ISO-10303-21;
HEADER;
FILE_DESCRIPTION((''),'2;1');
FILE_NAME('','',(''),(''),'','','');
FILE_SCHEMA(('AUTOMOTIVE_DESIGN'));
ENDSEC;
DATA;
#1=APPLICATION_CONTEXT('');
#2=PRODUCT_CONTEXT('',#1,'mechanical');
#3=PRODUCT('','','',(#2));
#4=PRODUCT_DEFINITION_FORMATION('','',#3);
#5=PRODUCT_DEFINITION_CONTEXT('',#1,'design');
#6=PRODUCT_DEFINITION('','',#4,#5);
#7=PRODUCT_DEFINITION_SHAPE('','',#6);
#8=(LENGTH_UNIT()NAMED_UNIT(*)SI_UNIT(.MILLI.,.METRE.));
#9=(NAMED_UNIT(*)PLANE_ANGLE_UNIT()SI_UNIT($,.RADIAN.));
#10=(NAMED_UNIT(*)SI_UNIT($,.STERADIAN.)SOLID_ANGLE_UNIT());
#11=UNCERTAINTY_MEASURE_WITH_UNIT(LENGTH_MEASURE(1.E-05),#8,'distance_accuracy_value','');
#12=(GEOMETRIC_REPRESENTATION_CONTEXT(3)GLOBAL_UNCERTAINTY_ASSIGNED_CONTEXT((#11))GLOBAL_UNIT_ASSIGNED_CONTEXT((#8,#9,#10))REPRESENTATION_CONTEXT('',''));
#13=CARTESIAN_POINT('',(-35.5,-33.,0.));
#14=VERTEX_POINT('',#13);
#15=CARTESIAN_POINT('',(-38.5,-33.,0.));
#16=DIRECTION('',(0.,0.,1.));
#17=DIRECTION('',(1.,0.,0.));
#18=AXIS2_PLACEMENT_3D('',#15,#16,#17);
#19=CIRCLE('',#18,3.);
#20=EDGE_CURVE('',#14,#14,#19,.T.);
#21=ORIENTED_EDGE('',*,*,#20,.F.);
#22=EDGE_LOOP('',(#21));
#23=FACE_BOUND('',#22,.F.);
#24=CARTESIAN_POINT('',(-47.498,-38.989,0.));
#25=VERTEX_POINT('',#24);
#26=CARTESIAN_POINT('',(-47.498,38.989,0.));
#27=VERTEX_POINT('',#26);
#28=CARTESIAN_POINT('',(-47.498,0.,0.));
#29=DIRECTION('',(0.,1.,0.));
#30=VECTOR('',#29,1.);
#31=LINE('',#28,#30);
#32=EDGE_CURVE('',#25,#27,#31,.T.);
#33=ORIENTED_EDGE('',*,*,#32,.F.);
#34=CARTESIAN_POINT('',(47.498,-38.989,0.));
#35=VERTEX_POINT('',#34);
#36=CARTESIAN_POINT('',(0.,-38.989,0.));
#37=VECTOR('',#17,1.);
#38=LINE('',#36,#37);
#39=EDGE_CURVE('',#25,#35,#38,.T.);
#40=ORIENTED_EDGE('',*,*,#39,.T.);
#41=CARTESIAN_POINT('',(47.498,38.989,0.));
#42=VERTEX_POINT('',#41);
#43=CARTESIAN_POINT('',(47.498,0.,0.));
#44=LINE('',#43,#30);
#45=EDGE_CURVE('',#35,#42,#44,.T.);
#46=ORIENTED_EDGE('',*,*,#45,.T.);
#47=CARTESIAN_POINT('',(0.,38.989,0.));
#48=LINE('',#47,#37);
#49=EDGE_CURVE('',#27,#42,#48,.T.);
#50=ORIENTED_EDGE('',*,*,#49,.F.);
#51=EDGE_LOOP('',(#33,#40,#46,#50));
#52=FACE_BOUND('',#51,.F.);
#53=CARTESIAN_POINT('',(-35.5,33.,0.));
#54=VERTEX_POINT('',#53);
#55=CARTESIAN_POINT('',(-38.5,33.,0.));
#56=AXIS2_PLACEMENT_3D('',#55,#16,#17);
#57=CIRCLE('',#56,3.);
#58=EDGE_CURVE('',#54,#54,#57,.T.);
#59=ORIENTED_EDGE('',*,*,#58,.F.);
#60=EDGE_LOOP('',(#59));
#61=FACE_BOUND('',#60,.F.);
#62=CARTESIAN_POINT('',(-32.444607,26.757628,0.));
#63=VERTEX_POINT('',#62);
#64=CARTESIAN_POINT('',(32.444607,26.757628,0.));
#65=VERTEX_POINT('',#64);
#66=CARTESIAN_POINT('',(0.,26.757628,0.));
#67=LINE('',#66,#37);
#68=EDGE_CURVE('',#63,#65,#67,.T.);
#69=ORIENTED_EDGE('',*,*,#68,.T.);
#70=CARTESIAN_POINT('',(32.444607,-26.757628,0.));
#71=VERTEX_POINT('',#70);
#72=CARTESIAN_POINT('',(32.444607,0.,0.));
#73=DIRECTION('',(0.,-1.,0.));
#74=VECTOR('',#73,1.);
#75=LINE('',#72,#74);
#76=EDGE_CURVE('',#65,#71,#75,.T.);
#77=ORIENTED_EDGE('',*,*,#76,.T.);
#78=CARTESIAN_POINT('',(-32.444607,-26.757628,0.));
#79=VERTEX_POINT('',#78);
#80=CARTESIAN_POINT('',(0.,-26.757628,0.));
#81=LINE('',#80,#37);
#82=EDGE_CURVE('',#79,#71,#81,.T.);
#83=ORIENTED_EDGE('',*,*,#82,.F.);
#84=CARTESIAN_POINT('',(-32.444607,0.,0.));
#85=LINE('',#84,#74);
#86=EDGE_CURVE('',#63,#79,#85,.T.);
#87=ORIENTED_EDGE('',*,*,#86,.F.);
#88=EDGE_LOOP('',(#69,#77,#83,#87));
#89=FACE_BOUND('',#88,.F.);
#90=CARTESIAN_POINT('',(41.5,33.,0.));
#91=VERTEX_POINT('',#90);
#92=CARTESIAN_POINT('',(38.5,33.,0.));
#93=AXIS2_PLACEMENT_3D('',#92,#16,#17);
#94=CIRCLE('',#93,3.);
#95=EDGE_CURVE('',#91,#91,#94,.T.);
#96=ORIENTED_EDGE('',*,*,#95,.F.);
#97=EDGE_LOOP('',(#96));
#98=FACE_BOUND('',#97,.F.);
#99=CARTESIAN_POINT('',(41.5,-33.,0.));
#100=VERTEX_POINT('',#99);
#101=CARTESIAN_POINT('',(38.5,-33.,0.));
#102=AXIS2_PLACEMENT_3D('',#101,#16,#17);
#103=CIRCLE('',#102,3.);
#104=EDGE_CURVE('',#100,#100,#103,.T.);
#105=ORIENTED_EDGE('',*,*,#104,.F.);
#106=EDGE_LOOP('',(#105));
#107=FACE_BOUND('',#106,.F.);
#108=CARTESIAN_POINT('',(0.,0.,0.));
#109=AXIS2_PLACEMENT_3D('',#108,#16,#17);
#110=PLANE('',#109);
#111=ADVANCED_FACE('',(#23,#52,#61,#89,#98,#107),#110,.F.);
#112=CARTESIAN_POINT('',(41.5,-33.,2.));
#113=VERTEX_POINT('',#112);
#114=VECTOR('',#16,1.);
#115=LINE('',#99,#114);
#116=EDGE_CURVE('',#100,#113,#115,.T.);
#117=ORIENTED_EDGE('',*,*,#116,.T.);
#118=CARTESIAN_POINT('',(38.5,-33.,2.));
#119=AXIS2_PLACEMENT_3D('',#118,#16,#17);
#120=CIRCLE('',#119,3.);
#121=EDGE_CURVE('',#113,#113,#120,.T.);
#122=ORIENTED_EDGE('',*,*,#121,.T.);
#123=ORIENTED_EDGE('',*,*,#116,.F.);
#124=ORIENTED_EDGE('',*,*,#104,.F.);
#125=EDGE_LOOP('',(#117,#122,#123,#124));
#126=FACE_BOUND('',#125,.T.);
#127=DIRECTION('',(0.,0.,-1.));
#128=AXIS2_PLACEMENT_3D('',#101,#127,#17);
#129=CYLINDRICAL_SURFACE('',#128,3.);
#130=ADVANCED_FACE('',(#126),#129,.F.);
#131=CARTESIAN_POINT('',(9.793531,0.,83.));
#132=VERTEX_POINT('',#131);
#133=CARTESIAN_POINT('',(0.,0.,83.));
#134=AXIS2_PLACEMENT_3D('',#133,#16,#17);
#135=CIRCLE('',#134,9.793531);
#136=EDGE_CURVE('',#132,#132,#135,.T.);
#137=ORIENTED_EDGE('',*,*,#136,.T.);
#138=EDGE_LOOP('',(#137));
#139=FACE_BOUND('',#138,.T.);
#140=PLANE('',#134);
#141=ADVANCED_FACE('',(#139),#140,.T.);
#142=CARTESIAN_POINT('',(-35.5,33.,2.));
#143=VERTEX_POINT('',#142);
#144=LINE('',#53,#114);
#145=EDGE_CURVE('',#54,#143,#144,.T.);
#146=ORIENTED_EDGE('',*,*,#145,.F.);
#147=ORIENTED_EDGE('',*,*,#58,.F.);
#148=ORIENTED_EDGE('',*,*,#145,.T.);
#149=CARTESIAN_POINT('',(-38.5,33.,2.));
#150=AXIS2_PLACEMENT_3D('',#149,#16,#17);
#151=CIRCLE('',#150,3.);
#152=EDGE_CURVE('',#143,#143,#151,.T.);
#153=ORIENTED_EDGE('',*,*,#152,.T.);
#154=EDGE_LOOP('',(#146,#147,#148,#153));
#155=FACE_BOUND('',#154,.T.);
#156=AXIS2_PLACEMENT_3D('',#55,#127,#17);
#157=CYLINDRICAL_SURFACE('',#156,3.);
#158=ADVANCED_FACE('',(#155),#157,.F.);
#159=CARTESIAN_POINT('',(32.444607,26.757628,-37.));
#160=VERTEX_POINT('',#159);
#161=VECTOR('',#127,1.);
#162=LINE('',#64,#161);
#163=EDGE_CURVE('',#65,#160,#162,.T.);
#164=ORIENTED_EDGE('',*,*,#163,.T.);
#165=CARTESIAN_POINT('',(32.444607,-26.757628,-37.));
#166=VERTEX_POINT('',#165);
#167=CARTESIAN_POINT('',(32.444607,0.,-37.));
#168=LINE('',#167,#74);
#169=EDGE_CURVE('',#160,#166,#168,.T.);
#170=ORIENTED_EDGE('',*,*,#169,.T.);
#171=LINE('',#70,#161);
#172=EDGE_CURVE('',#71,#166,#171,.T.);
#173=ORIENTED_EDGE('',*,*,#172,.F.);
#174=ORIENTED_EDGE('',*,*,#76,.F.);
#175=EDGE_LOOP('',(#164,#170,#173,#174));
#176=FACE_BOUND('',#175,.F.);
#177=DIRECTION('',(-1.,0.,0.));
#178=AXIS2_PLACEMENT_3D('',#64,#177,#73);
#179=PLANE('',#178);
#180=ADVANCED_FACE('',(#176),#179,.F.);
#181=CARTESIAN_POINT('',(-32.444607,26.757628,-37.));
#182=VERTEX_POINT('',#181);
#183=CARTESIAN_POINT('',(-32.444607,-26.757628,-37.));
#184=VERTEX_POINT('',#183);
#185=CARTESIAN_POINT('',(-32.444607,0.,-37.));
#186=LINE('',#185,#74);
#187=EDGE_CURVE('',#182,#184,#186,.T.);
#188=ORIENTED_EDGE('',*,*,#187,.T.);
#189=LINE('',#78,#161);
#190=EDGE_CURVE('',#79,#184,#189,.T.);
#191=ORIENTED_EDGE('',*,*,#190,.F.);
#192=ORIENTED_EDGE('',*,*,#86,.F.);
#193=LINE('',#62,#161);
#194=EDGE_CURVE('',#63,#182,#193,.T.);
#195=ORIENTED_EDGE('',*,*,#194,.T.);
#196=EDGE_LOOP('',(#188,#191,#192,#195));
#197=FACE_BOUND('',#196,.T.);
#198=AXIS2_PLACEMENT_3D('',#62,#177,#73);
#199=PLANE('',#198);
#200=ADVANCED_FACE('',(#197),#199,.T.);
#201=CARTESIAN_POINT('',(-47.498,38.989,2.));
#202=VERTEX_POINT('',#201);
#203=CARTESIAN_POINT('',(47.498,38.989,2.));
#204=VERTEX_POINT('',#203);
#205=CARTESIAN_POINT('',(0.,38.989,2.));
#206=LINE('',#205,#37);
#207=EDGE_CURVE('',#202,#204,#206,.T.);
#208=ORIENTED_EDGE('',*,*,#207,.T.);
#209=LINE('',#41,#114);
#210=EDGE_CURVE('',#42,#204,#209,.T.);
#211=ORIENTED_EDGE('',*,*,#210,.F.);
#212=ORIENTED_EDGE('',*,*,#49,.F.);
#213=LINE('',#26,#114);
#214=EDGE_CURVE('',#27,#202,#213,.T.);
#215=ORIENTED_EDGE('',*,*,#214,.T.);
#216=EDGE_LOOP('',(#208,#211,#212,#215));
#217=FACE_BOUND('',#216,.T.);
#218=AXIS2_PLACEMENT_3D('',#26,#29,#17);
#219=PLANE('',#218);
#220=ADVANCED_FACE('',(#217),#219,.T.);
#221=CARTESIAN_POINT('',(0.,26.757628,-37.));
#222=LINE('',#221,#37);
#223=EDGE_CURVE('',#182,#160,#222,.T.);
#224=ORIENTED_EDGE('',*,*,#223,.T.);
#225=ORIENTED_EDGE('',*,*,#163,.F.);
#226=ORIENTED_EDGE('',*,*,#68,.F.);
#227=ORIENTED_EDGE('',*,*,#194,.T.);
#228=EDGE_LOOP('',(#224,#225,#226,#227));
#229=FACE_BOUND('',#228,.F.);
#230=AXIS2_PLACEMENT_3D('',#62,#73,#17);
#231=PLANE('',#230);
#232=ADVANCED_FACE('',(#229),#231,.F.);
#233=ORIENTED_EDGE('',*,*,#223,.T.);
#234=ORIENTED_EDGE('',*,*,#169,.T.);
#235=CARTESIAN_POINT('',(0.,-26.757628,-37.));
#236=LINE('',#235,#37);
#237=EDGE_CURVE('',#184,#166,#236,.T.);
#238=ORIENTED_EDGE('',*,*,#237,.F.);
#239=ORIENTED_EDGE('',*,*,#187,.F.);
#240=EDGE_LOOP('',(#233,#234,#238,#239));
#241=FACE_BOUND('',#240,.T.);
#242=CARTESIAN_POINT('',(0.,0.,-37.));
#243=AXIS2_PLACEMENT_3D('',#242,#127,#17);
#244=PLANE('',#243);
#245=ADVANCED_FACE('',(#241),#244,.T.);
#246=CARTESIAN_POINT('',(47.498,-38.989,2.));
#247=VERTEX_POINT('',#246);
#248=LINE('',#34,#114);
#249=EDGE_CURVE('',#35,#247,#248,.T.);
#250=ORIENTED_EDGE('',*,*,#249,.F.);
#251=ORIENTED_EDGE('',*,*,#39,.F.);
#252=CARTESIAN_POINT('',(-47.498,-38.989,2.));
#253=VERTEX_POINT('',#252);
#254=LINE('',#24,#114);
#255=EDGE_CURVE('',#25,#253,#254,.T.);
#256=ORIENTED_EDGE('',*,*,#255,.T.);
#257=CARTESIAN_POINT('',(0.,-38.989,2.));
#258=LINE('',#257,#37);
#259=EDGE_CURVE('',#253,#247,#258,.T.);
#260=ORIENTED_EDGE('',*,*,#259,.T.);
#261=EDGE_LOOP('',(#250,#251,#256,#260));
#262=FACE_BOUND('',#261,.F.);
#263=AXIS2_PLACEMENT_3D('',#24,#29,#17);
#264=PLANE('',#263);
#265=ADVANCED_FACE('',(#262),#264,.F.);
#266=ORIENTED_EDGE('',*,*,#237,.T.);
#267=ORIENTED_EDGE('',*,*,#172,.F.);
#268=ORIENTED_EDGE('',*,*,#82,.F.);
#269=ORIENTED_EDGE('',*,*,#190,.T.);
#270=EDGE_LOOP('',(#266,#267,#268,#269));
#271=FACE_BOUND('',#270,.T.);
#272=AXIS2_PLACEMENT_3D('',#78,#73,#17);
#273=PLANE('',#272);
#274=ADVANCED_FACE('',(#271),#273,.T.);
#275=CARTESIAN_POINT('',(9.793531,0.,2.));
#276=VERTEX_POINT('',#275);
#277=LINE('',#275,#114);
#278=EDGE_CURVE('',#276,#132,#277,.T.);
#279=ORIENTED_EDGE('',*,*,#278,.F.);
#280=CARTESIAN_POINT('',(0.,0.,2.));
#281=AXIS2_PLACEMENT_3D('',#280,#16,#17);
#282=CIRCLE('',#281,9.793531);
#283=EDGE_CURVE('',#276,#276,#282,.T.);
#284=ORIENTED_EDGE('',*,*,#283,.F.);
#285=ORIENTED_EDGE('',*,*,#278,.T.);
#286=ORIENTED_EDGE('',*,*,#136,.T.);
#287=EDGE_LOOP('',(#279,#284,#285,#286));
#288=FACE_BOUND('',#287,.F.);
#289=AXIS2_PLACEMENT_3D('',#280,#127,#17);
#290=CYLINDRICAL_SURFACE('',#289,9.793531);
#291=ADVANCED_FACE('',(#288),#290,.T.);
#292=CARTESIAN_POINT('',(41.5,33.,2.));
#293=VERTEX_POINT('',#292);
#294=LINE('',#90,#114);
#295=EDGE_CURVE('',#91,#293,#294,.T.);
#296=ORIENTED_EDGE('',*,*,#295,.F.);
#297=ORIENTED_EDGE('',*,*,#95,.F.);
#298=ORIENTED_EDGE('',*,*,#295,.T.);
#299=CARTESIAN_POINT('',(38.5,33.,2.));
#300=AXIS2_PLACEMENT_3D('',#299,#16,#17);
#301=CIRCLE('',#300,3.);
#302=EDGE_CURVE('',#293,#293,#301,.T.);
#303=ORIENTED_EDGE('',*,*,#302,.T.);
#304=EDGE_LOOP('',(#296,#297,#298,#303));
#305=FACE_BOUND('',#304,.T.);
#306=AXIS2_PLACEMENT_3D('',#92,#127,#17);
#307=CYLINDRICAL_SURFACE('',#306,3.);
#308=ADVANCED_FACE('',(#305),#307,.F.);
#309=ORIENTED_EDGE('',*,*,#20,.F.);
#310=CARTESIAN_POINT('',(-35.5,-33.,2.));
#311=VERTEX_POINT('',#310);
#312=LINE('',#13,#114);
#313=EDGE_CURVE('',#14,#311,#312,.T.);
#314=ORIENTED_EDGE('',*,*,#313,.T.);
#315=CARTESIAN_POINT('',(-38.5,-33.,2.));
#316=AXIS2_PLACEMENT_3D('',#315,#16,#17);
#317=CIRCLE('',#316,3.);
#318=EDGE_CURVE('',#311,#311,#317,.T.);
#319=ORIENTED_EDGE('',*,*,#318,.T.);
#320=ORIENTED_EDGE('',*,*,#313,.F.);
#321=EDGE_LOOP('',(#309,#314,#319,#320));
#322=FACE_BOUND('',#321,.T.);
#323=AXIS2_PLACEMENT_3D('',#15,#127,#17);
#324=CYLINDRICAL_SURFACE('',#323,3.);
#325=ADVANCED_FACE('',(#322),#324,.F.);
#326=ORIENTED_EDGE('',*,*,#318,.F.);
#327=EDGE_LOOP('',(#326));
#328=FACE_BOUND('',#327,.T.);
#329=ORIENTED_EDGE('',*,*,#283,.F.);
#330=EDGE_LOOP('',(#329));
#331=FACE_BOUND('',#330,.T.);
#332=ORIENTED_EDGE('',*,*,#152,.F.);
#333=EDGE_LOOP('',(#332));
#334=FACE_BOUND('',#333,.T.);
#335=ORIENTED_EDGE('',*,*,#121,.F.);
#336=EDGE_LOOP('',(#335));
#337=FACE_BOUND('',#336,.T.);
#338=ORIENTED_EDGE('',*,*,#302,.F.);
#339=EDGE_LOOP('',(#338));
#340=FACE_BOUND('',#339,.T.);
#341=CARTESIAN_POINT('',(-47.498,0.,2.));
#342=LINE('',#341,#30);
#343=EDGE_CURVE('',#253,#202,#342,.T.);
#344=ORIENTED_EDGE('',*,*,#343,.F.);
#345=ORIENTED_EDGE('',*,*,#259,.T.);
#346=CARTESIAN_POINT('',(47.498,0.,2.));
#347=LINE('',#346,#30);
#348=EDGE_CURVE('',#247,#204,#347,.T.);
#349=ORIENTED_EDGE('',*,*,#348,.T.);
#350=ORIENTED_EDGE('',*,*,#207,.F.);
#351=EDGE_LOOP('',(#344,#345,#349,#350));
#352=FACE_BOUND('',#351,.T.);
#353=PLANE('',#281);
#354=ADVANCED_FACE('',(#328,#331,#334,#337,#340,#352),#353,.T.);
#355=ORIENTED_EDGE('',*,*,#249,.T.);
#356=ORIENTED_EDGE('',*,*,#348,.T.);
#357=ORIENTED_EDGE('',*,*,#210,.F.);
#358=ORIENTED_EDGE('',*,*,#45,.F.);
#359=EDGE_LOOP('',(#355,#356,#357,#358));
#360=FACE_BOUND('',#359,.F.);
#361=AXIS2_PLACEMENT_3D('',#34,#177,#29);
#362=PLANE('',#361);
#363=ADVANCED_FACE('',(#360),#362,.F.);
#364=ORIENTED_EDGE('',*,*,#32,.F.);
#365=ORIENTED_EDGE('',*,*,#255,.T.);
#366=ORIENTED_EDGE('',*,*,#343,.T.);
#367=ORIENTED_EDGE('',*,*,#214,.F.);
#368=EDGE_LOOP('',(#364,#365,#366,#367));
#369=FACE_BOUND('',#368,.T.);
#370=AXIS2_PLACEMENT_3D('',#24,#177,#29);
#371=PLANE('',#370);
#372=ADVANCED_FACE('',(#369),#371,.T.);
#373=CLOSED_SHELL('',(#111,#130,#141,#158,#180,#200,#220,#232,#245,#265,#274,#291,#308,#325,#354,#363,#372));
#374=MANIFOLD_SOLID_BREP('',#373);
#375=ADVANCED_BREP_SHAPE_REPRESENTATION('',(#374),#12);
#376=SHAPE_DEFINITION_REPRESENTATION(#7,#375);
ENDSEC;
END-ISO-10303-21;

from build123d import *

# Parameters (mm, degrees)
F0_W     = 94.996
F0_H     = 77.978
F0_R     = 3
F1_DEPTH = 2
F2_W     = 64.889214
F2_H     = 53.515256
F3_DEPTH = 37
F4_R     = 9.793531
F5_DEPTH = 81


with BuildPart() as f1:
    # F0 (on Top) → F1 (new body)
    with BuildSketch(Plane.XY):
        Rectangle(F0_W, F0_H)
        with Locations((-38.5, -33)):
            Circle(F0_R, mode=Mode.SUBTRACT)
        with Locations((38.5, -33)):
            Circle(F0_R, mode=Mode.SUBTRACT)
        with Locations((-38.5, 33)):
            Circle(F0_R, mode=Mode.SUBTRACT)
        with Locations((38.5, 33)):
            Circle(F0_R, mode=Mode.SUBTRACT)
    extrude(amount=F1_DEPTH)

    # F2 (on face) → F3 (join)
    with BuildSketch(Plane(origin=(0, 0, 0), x_dir=(1, 0, 0), z_dir=(0, 0, -1))):
        Rectangle(F2_W, F2_H)
    extrude(amount=F3_DEPTH)

    # F4 (on face) → F5 (join)
    with BuildSketch(Plane.XY.offset(2)):
        Circle(F4_R)
    extrude(amount=F5_DEPTH)


solid = f1.part
